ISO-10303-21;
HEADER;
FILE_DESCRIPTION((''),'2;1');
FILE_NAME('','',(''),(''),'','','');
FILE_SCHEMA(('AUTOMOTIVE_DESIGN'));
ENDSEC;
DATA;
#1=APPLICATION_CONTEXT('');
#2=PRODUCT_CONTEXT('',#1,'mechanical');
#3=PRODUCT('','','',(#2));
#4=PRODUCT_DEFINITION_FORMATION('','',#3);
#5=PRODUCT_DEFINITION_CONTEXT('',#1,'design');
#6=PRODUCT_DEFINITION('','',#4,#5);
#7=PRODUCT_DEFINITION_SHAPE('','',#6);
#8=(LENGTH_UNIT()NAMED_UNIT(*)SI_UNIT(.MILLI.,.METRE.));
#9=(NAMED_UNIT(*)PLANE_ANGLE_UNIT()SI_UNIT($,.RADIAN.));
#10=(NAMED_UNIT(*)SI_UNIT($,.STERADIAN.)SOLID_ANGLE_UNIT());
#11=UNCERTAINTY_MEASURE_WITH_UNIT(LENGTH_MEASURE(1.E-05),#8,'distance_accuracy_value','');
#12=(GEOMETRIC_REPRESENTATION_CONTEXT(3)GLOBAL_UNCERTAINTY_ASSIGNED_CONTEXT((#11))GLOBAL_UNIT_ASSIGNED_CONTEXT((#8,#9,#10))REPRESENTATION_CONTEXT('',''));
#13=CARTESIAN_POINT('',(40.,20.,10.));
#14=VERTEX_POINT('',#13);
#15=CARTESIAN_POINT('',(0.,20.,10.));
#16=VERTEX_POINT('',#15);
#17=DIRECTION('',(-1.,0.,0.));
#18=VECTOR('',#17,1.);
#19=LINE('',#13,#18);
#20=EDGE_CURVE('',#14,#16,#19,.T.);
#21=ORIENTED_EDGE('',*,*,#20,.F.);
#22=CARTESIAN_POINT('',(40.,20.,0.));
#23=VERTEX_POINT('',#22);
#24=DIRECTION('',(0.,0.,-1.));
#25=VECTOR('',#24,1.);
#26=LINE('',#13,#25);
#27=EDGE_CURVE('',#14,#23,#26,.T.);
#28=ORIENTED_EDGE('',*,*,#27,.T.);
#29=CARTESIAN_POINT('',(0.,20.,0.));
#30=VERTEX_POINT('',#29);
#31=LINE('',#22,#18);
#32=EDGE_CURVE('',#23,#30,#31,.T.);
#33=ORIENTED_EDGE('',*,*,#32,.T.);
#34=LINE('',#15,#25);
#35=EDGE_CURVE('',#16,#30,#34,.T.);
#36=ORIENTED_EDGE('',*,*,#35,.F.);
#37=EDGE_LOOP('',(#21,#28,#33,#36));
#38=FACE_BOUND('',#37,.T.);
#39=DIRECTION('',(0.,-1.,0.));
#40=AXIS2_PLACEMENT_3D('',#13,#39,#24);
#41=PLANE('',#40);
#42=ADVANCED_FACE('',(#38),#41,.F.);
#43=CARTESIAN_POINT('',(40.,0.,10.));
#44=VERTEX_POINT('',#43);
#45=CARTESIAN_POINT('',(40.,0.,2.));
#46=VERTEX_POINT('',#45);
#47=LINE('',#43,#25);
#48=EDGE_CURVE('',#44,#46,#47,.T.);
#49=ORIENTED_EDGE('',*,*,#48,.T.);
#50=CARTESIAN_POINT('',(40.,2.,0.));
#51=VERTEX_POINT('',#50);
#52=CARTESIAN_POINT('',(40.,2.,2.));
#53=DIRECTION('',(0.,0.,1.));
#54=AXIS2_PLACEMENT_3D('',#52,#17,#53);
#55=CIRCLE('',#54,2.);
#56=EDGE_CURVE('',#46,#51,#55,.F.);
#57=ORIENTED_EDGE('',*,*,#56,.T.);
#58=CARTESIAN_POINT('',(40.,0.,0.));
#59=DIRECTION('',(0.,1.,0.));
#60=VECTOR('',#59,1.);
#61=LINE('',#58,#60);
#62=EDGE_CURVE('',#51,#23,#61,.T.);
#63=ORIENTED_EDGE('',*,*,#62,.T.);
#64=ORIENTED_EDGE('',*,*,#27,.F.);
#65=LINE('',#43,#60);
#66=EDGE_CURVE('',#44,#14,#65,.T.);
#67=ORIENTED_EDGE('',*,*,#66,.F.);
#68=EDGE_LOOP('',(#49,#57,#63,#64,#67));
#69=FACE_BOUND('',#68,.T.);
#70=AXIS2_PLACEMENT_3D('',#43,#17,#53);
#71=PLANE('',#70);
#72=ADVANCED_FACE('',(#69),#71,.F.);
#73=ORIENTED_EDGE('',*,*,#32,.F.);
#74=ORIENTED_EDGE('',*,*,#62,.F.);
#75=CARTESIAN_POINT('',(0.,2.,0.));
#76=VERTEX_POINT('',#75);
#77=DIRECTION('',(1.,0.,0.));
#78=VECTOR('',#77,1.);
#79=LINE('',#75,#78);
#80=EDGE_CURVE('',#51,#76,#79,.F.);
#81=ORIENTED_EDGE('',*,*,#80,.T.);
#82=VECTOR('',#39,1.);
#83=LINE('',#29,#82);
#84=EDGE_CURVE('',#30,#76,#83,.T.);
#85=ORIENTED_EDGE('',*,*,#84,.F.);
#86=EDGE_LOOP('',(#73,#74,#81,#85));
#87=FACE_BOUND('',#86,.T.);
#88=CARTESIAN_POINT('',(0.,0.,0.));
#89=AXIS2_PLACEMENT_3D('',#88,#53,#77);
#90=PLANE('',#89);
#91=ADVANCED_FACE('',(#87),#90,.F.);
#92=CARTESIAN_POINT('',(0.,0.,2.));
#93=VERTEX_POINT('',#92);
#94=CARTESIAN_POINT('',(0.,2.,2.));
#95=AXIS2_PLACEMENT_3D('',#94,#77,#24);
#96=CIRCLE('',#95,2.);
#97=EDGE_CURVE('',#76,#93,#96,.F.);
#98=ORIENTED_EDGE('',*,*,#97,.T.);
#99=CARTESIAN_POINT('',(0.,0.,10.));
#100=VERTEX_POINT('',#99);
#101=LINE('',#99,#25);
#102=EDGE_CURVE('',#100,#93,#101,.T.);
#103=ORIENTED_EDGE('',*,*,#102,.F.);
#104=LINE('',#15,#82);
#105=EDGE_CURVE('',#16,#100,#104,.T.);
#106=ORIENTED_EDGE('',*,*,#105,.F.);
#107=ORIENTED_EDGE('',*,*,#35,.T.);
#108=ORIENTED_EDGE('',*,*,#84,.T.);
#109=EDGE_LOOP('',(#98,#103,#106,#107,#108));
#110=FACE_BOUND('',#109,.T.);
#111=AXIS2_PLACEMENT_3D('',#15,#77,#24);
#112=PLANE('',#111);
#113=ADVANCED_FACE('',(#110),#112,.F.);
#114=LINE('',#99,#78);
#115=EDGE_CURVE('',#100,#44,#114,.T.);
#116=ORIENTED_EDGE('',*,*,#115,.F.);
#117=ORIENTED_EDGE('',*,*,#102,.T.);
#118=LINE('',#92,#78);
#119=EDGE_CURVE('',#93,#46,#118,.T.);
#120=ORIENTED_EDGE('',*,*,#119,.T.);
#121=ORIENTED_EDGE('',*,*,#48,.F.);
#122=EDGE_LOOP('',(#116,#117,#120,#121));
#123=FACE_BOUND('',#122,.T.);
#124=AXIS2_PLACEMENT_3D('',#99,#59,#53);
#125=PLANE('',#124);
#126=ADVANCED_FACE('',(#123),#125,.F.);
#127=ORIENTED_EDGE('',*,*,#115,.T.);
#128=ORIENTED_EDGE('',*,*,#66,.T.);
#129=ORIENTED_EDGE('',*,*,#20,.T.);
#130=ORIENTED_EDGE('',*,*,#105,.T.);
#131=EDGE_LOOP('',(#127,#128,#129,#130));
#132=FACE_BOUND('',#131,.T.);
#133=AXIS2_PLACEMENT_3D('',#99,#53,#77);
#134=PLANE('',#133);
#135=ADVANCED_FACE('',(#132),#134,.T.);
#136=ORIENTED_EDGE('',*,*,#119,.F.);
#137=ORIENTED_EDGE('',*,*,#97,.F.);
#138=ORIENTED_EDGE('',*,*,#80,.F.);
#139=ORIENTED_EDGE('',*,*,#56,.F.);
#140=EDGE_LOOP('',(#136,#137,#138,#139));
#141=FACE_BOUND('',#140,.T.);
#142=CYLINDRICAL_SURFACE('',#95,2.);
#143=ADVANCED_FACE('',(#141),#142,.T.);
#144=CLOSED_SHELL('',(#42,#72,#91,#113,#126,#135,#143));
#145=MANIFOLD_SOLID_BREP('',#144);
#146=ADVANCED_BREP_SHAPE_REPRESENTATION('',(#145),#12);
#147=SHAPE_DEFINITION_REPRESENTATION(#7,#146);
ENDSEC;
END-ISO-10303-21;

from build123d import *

# Parameters (mm, degrees)
SKETCH1_W           = 40
SKETCH1_H           = 20
BOSS_EXTRUDE1_DEPTH = 10
FILLET1_R           = 2


with BuildPart() as part:
    # Sketch1 → Boss-Extrude1 (new body)
    with BuildSketch(Plane.XY):
        with Locations((20, 10)):
            Rectangle(SKETCH1_W, SKETCH1_H)
    extrude(amount=BOSS_EXTRUDE1_DEPTH)

    # Fillet1
    fillet1_edges = [part.edges().sort_by_distance(p)[0] for p in [
        (20, 0, 0),
    ]]
    fillet(fillet1_edges, radius=FILLET1_R)


solid = part.part
